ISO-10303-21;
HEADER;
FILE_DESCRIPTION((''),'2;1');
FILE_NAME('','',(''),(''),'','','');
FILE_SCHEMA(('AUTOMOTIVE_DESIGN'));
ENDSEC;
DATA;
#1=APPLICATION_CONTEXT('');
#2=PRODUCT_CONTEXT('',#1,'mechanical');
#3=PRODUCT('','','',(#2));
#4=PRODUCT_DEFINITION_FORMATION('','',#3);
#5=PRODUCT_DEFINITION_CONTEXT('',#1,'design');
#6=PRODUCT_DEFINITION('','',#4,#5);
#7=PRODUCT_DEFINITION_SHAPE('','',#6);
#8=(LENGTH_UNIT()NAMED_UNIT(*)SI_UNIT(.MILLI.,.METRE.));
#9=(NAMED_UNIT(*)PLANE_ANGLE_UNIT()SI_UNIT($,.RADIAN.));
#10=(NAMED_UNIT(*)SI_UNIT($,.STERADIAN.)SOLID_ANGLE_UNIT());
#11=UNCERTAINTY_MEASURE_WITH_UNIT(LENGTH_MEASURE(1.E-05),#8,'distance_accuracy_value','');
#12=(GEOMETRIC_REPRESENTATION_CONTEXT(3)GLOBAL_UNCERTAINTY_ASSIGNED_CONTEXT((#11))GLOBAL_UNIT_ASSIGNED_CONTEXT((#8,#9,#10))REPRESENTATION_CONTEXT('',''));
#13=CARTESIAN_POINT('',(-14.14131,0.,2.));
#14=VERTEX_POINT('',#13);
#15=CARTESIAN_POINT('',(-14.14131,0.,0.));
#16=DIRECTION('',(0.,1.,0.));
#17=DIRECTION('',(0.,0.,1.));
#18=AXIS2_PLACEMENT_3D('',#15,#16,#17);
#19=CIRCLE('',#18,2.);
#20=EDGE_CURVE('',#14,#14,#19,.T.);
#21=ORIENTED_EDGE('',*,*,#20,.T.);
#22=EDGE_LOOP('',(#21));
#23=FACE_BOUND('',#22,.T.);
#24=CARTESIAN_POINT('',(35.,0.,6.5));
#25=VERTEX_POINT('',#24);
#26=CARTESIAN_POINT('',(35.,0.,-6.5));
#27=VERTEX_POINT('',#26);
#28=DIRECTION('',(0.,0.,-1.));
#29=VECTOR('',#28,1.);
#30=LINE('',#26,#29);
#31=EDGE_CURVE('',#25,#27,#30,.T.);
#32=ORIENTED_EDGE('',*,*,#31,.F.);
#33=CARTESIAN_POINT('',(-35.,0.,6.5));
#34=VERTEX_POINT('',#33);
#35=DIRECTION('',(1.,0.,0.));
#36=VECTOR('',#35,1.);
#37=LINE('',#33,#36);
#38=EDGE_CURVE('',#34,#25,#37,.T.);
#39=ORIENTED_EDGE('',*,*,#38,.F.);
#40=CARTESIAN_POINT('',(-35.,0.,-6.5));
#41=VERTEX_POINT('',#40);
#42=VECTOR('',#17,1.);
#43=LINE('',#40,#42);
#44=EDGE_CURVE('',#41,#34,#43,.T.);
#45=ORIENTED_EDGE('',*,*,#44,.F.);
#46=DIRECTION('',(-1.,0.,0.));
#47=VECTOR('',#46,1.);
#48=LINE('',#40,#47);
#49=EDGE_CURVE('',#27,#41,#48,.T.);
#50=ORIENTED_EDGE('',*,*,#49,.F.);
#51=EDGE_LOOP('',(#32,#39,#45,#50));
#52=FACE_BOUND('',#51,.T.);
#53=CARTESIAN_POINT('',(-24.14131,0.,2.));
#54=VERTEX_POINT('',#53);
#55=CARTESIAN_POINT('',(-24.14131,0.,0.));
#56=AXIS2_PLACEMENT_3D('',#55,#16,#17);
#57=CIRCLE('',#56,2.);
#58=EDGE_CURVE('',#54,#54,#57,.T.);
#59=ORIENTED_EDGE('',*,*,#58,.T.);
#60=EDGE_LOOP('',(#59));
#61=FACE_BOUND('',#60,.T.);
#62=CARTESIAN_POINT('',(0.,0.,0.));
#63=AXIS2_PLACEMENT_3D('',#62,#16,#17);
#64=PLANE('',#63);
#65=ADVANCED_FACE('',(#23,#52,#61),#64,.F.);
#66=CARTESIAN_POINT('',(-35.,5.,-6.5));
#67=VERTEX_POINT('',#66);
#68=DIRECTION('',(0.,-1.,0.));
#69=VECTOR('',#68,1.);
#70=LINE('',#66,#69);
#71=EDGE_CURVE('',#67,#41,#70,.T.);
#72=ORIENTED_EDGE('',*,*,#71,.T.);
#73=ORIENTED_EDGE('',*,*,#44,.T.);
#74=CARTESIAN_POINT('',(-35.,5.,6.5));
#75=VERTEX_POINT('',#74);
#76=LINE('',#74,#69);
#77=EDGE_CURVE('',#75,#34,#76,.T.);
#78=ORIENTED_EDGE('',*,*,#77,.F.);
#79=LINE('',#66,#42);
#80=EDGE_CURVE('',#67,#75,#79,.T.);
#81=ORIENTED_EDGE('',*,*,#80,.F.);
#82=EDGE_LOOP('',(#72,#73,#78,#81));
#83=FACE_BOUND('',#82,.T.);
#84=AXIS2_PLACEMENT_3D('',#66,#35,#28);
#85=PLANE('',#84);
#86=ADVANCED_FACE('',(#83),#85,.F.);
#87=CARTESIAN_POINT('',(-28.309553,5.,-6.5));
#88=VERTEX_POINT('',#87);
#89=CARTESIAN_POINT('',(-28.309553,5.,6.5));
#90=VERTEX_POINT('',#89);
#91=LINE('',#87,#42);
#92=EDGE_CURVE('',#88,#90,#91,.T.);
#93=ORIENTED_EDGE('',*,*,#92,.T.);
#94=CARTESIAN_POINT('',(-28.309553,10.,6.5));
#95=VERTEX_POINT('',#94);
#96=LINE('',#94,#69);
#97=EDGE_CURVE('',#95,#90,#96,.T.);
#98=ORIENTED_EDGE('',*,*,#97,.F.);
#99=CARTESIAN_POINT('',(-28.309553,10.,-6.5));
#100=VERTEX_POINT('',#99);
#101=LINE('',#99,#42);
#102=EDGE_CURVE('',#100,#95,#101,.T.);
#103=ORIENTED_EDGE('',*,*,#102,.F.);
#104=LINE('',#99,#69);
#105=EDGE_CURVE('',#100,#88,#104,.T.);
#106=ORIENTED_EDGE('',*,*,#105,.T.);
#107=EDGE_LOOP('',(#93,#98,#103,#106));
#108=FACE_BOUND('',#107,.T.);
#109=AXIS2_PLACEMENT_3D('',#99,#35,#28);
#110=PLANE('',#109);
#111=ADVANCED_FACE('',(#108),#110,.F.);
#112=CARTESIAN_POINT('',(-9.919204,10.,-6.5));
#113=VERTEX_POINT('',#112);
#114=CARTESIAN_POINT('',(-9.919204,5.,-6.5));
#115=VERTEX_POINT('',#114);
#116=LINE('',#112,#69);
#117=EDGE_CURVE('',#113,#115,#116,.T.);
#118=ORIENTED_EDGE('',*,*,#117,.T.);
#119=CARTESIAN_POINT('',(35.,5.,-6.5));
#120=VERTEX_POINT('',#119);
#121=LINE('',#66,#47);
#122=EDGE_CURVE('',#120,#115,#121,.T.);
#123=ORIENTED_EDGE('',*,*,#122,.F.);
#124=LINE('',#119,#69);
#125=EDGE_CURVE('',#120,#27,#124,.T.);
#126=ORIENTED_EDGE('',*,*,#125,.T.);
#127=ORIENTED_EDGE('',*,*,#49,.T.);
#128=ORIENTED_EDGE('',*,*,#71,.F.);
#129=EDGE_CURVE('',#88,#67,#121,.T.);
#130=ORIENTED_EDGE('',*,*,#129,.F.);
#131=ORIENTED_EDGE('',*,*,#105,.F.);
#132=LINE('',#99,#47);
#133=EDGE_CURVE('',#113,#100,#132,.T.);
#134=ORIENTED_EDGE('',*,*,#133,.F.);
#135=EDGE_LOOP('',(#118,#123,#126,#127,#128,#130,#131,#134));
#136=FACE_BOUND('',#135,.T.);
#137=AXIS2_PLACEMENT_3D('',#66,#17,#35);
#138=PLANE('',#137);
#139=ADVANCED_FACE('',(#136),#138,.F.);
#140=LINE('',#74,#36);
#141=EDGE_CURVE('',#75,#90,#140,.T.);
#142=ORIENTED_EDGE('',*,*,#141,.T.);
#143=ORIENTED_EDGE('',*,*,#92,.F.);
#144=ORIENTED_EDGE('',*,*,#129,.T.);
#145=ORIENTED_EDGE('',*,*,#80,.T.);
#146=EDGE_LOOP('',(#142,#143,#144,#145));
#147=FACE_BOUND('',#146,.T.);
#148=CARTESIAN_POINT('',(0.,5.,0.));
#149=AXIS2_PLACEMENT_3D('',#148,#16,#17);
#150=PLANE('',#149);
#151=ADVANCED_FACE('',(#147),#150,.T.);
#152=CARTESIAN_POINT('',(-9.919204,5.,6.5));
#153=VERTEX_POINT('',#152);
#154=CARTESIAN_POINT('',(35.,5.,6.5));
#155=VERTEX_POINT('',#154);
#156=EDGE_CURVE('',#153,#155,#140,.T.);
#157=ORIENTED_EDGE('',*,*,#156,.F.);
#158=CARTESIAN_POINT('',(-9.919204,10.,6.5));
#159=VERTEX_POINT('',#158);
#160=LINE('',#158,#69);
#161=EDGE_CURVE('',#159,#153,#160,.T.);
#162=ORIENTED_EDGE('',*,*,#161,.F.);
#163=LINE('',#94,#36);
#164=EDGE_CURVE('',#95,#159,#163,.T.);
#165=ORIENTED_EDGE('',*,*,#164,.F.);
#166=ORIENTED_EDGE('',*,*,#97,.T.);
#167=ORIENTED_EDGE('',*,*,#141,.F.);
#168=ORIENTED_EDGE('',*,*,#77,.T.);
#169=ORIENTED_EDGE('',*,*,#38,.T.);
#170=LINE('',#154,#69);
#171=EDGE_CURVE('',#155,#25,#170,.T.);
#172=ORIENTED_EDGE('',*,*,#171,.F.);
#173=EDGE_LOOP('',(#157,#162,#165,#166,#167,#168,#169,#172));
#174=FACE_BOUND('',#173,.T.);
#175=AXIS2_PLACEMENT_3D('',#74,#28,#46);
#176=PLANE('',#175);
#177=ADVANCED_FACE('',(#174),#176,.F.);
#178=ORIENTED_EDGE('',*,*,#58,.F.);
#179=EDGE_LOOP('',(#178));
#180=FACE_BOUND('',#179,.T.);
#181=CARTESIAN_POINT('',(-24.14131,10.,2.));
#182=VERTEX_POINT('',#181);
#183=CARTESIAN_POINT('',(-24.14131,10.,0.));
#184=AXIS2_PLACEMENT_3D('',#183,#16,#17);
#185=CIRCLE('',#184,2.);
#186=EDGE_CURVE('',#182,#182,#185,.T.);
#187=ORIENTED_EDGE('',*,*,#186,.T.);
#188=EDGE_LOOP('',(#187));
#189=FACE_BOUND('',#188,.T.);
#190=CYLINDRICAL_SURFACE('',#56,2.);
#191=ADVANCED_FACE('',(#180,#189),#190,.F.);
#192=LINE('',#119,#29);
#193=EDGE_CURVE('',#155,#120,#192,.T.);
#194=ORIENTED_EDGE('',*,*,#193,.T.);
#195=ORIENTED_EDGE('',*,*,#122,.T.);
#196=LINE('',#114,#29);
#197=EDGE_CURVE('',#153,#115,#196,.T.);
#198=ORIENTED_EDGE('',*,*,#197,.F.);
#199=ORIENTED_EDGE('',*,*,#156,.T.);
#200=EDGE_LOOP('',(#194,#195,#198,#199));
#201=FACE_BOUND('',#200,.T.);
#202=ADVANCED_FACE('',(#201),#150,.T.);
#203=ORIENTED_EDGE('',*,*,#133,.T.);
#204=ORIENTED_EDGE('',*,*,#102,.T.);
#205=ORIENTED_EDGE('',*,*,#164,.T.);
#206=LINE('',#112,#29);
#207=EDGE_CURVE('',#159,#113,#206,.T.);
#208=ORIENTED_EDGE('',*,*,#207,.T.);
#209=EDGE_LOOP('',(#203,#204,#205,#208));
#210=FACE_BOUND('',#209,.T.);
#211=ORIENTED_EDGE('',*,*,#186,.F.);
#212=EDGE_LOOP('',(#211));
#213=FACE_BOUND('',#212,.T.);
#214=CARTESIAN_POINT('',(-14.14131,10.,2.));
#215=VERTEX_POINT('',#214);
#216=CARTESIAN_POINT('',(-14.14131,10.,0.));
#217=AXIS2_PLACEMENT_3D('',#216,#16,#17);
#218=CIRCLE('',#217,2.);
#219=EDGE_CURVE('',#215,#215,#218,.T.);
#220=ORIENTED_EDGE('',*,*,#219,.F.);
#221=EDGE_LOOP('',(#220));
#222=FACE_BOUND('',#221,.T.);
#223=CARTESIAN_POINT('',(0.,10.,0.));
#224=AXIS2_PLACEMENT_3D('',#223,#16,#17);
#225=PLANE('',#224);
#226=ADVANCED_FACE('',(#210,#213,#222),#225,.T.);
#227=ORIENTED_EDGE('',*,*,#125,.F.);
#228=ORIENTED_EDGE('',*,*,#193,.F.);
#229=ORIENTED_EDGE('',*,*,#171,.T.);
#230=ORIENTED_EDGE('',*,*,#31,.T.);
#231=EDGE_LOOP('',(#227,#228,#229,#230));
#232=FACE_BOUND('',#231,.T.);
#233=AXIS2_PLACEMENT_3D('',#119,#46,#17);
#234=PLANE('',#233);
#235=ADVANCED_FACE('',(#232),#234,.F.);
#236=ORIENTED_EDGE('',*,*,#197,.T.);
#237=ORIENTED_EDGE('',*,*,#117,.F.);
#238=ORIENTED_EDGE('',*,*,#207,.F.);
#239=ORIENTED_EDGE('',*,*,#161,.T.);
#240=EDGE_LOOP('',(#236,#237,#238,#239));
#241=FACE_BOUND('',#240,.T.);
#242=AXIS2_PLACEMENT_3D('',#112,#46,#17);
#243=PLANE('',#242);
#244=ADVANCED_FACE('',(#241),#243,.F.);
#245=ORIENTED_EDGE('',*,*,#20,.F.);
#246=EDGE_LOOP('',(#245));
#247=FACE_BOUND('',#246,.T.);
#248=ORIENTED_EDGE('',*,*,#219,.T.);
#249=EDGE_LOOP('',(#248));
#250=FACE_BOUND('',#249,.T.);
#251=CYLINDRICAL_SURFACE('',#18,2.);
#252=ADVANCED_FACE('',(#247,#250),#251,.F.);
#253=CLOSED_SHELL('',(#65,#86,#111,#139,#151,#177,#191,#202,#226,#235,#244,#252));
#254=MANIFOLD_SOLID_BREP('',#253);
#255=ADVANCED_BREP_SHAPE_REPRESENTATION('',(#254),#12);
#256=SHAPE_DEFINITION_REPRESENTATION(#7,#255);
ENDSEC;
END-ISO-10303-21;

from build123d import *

# Parameters (mm, degrees)
SKETCH1_W           = 70
SKETCH1_H           = 13
BOSS_EXTRUDE1_DEPTH = 5
SKETCH2_R           = 2
CUT_EXTRUDE1_DEPTH  = 36.947878936
BOSS_EXTRUDE3_START = 5
SKETCH2_3_W         = 18.390349325
SKETCH2_3_H         = 13
SKETCH2_3_R         = 2
BOSS_EXTRUDE3_DEPTH = 5


with BuildPart() as part:
    # Sketch1 → Boss-Extrude1 (new body)
    with BuildSketch(Plane(origin=(0, 0, 0), x_dir=(1, 0, 0), z_dir=(0, 1, 0))):
        Rectangle(SKETCH1_W, SKETCH1_H)
    extrude(amount=BOSS_EXTRUDE1_DEPTH)

    # Sketch2 → Cut-Extrude1 (cut, through all)
    with BuildSketch(Plane(origin=(0, 5, 0), x_dir=(1, 0, 0), z_dir=(0, 1, 0))):
        with Locations((-24.141309667, 0)):
            Circle(SKETCH2_R)
        with Locations((-14.141309667, 0)):
            Circle(SKETCH2_R)
    extrude(amount=-CUT_EXTRUDE1_DEPTH, mode=Mode.SUBTRACT)

    # Sketch2<3> → Boss-Extrude3 (add)
    with BuildSketch(Plane(origin=(0, 5, 0), x_dir=(1, 0, 0), z_dir=(0, 1, 0)).offset(BOSS_EXTRUDE3_START)):
        with Locations((-19.114378827, 0)):
            Rectangle(SKETCH2_3_W, SKETCH2_3_H)
        with Locations((-24.141309667, 0)):
            Circle(SKETCH2_3_R, mode=Mode.SUBTRACT)
        with Locations((-14.141309667, 0)):
            Circle(SKETCH2_3_R, mode=Mode.SUBTRACT)
    extrude(amount=-BOSS_EXTRUDE3_DEPTH)


solid = part.part
